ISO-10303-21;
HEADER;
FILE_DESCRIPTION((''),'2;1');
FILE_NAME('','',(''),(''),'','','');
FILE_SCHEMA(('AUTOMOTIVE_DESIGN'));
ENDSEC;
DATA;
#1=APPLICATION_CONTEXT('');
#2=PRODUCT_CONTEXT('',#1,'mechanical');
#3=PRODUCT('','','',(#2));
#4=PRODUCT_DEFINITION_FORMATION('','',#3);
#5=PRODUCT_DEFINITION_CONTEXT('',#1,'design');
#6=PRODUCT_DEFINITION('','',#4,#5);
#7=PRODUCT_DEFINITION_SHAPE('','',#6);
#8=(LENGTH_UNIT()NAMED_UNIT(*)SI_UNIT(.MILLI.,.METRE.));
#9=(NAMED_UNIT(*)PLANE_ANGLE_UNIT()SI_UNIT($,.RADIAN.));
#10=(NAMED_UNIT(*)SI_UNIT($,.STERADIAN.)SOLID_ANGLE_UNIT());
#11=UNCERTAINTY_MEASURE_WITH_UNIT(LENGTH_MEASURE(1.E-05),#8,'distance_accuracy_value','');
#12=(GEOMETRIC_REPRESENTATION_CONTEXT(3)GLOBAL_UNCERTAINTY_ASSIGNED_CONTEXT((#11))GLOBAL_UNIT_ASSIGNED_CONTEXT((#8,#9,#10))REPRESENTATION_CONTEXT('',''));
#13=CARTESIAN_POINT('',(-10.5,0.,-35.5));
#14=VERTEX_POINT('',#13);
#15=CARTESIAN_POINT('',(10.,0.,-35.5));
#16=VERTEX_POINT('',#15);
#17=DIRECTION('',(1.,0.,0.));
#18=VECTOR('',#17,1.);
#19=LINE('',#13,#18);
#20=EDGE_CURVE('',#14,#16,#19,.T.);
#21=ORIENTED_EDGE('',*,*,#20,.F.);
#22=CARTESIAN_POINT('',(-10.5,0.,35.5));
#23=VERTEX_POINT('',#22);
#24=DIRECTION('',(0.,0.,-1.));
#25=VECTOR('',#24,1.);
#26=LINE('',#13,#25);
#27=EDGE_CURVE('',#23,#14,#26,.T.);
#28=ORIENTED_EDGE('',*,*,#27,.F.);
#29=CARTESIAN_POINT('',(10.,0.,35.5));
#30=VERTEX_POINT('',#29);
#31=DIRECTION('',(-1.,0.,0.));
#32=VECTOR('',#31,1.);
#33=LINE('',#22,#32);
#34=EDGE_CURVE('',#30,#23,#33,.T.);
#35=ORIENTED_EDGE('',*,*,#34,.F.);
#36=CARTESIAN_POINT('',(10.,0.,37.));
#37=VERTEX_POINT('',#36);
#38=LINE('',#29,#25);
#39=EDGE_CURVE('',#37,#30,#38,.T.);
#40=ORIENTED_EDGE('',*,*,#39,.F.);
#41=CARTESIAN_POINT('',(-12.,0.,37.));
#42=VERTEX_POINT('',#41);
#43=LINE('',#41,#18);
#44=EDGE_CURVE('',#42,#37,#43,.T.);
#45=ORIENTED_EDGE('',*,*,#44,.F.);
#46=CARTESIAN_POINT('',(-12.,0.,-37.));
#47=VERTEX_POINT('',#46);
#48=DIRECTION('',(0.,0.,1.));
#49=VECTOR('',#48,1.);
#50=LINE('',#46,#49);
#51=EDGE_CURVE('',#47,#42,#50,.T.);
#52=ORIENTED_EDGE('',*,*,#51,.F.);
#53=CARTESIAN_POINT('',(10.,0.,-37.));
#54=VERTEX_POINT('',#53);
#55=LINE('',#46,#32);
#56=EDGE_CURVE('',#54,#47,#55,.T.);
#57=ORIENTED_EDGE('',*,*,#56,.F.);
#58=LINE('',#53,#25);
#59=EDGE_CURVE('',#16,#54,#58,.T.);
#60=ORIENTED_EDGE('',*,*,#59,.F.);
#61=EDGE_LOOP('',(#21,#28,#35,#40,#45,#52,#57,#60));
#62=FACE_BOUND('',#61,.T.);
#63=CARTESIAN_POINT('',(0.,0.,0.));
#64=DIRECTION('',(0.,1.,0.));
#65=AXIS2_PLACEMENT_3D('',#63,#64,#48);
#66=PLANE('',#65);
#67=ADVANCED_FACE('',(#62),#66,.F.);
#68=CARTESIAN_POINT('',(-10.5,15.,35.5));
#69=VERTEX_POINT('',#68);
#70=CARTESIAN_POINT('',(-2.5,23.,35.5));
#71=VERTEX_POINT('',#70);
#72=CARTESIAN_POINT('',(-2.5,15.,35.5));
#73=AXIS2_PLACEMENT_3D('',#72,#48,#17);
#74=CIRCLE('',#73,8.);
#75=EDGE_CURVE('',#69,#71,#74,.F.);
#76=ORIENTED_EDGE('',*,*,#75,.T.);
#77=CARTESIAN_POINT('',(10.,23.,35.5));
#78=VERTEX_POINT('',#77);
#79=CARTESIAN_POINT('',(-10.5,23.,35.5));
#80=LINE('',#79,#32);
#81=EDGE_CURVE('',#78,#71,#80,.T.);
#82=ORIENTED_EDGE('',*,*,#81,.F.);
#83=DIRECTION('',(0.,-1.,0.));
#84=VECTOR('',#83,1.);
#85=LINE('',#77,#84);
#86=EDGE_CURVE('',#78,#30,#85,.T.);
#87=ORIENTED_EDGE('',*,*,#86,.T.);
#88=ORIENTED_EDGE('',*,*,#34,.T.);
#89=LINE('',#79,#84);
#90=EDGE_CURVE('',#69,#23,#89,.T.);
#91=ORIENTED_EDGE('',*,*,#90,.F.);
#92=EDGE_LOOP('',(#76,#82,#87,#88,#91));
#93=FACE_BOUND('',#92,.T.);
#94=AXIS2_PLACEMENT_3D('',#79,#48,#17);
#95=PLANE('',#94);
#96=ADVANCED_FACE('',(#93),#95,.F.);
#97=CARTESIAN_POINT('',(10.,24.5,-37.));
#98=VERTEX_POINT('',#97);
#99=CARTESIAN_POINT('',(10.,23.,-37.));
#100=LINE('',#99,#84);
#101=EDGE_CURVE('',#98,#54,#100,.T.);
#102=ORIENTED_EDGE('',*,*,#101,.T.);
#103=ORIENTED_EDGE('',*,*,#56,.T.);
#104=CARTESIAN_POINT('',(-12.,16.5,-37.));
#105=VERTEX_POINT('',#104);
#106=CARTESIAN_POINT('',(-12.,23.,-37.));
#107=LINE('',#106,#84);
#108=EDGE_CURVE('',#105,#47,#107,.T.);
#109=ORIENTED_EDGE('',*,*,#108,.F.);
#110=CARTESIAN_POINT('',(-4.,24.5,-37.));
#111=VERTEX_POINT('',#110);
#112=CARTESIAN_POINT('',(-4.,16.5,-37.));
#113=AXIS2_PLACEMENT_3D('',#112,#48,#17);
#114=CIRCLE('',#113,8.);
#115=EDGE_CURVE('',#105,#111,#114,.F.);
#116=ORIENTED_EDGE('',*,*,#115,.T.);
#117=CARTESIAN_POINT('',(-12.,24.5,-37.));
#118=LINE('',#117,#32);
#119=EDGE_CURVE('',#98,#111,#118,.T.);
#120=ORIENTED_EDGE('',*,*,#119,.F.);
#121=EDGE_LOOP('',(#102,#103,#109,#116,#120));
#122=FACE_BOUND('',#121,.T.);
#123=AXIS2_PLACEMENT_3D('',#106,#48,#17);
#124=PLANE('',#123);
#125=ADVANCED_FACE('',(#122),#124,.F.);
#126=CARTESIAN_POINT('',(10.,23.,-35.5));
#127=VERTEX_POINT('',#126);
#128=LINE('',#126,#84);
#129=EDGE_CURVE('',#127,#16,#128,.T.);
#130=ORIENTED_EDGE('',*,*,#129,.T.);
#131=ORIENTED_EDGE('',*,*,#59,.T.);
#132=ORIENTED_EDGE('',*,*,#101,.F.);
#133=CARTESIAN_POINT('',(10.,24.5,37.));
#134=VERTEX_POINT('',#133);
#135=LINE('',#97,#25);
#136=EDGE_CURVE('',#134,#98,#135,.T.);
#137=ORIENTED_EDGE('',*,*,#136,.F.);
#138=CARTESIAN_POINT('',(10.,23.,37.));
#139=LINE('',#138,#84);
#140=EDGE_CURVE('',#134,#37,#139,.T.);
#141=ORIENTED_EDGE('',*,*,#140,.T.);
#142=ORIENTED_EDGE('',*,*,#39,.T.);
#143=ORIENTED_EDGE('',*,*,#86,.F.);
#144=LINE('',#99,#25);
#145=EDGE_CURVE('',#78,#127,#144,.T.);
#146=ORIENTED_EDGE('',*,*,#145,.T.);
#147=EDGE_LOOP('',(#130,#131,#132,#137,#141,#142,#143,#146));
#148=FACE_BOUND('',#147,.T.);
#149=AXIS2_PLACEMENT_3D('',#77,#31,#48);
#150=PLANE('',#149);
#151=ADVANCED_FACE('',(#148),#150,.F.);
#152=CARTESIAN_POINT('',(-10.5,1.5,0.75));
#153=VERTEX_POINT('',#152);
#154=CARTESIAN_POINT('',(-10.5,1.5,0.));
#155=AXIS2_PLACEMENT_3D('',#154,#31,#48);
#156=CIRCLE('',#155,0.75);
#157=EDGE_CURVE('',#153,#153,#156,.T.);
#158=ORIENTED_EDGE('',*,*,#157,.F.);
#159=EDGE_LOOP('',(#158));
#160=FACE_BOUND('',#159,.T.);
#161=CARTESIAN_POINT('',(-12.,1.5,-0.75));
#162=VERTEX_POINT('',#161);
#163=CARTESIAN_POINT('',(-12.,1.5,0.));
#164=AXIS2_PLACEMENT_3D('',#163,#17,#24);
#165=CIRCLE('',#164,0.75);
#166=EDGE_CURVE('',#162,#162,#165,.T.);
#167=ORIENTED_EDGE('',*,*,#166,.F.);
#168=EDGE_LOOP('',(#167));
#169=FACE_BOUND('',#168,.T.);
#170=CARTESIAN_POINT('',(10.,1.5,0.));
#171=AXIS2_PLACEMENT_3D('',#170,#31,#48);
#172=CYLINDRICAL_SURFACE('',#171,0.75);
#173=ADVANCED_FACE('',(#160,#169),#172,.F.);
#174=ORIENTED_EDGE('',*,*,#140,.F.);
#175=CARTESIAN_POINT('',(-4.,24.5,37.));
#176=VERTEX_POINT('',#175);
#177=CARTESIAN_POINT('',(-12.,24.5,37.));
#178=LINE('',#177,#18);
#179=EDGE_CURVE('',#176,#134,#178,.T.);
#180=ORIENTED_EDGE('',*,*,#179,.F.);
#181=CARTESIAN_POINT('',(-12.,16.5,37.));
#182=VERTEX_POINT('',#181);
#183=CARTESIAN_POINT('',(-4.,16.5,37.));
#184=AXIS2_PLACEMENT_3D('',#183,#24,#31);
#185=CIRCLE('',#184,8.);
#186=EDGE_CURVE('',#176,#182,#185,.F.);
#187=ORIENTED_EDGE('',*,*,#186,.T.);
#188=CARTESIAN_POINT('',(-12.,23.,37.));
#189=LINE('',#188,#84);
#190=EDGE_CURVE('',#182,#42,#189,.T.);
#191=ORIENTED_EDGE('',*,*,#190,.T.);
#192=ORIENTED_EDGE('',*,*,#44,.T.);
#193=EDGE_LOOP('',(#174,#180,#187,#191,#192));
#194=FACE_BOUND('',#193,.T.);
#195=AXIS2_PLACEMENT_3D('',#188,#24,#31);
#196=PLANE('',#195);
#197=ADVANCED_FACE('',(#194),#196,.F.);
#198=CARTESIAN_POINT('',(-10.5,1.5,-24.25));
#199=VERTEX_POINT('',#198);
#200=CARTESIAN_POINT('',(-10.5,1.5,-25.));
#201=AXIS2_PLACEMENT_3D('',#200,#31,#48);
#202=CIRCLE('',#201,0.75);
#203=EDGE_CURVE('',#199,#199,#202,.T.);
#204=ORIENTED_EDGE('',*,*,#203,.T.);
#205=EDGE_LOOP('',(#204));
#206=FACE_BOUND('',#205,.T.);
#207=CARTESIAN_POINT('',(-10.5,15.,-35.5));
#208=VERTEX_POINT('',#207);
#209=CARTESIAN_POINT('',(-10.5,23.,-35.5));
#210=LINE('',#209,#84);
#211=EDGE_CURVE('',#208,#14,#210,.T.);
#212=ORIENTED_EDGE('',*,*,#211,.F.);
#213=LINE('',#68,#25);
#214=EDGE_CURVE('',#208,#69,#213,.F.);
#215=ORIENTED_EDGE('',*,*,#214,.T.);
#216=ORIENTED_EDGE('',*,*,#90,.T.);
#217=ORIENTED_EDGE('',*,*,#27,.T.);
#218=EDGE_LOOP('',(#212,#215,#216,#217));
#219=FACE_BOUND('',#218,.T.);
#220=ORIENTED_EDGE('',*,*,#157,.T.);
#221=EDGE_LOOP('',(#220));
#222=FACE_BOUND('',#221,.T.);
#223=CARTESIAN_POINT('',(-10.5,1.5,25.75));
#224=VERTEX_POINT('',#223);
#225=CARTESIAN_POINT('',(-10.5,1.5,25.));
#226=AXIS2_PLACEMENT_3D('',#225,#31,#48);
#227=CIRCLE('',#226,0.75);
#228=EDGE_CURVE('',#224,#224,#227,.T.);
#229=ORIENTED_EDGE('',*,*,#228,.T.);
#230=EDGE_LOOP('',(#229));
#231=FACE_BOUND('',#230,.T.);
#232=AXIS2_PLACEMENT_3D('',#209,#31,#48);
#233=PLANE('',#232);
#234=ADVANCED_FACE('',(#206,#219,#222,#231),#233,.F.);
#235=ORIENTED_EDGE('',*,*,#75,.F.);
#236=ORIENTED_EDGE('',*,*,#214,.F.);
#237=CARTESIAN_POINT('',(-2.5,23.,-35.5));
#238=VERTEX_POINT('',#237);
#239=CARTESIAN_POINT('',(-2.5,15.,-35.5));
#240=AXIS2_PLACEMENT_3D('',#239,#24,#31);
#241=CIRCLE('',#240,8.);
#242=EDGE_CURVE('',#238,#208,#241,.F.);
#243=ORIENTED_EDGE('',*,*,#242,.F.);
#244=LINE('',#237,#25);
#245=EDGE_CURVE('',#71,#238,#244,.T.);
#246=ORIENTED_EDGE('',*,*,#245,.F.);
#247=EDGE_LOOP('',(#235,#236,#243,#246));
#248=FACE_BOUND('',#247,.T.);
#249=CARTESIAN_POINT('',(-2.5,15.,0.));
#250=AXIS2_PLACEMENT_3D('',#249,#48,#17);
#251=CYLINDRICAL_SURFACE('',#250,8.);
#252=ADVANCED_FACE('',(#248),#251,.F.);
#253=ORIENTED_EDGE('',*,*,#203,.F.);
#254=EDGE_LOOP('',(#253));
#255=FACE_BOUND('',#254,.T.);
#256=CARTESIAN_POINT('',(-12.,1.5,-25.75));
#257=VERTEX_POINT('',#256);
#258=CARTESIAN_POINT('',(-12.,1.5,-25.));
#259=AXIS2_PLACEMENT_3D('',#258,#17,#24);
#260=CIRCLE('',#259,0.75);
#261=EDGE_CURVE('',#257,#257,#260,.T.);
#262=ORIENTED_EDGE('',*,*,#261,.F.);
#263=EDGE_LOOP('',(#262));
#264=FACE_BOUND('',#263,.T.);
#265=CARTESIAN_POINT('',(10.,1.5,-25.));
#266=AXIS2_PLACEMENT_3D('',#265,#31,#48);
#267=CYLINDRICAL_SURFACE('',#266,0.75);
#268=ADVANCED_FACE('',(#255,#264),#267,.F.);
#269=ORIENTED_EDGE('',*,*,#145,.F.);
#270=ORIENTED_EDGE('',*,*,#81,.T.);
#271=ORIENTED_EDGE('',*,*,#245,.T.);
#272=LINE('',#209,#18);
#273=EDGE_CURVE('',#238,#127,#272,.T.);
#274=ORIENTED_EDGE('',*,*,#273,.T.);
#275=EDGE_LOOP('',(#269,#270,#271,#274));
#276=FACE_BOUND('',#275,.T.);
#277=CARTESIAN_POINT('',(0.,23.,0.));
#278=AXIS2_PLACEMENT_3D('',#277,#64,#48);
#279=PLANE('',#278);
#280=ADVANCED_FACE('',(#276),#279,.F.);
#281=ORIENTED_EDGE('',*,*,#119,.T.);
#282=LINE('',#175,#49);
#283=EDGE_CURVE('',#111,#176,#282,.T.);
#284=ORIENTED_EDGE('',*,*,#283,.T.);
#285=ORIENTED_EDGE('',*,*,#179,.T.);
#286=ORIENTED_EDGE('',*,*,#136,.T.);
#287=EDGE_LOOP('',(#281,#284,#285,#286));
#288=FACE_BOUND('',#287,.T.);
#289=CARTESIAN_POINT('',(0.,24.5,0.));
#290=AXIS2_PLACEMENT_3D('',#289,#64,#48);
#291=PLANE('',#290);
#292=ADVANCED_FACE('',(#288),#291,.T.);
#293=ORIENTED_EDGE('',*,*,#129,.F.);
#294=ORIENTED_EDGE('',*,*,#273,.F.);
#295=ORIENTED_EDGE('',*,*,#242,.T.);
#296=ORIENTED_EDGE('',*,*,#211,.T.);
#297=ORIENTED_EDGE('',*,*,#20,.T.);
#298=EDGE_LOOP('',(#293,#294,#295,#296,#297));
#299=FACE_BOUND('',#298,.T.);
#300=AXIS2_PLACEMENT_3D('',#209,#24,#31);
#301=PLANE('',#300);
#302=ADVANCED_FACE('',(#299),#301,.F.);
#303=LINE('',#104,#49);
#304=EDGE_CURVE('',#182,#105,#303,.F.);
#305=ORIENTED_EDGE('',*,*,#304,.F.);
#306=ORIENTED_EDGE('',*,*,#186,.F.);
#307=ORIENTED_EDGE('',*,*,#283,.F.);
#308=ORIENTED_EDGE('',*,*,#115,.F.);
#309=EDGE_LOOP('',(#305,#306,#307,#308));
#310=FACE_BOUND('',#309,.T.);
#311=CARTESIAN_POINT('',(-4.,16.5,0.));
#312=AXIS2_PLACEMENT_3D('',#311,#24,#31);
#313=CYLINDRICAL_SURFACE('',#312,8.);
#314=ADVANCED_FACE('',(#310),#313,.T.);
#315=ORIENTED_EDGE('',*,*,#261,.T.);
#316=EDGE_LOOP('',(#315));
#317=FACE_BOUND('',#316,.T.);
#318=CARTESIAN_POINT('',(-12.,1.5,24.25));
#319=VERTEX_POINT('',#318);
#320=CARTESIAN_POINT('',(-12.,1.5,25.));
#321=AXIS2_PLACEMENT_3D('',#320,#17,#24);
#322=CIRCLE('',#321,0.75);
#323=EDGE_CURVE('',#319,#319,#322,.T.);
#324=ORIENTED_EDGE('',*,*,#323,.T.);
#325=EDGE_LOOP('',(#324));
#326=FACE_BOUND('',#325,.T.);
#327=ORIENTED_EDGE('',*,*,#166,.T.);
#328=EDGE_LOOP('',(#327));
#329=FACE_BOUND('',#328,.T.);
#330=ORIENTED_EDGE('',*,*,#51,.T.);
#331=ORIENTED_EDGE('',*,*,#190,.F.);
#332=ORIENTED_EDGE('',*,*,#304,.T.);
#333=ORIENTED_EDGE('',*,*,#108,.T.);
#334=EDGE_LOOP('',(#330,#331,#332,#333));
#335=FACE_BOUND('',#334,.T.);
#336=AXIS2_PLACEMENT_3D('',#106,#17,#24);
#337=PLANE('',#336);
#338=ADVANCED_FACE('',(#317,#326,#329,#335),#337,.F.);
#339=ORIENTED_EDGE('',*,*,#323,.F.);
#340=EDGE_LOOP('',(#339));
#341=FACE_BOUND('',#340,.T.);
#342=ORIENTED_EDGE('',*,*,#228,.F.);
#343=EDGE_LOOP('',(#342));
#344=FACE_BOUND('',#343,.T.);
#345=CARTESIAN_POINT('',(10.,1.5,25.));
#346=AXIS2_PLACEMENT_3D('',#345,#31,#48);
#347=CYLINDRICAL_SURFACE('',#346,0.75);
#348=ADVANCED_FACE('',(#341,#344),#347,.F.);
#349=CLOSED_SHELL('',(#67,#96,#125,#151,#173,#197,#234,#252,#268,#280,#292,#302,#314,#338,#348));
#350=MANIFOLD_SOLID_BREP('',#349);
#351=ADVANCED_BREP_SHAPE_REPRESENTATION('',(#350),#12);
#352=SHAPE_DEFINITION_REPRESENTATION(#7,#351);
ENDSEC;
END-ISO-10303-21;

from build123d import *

# Parameters (mm, degrees)
BOSS_EXTRUDE1_DEPTH     = 23
SKETCH3_W               = 22
SKETCH3_H               = 74
BOSS_EXTRUDE2_DEPTH     = 1.5
FILLET1_R               = 8
CUT_EXTRUDE1_DEPTH      = 50.53029376
CUT_EXTRUDE1_DEPTH_BACK = 50.53029376
SKETCH4_R               = 0.75


with BuildPart() as part:
    # Sketch2 → Boss-Extrude1 (new body)
    with BuildSketch(Plane(origin=(0, 0, 0), x_dir=(1, 0, 0), z_dir=(0, 1, 0))):
        Polygon((-10.5, -35.5), (10, -35.5), (10, -37), (-12, -37), (-12, 37), (10, 37), (10, 35.5), (-10.5, 35.5), align=None)
    extrude(amount=BOSS_EXTRUDE1_DEPTH)

    # Sketch3 → Boss-Extrude2 (add)
    with BuildSketch(Plane(origin=(0, 23, 0), x_dir=(1, 0, 0), z_dir=(0, 1, 0))):
        with Locations((-1, 0)):
            Rectangle(SKETCH3_W, SKETCH3_H)
    extrude(amount=BOSS_EXTRUDE2_DEPTH)

    # Fillet1
    fillet1_edges = [part.edges().sort_by_distance(p)[0] for p in [
        (-12, 24.5, 0),
        (-10.5, 23, 0),
    ]]
    fillet(fillet1_edges, radius=FILLET1_R)

    # Sketch4 → Cut-Extrude1 (cut, two sides: drawn at the far end of the back side and taken through both)
    with BuildSketch(Plane.ZY.offset(12).offset(-CUT_EXTRUDE1_DEPTH_BACK)):
        with Locations((-25, 1.5)):
            Circle(SKETCH4_R)
        with Locations((0, 1.5)):
            Circle(SKETCH4_R)
        with Locations((25, 1.5)):
            Circle(SKETCH4_R)
    extrude(amount=CUT_EXTRUDE1_DEPTH + CUT_EXTRUDE1_DEPTH_BACK, mode=Mode.SUBTRACT)


solid = part.part
